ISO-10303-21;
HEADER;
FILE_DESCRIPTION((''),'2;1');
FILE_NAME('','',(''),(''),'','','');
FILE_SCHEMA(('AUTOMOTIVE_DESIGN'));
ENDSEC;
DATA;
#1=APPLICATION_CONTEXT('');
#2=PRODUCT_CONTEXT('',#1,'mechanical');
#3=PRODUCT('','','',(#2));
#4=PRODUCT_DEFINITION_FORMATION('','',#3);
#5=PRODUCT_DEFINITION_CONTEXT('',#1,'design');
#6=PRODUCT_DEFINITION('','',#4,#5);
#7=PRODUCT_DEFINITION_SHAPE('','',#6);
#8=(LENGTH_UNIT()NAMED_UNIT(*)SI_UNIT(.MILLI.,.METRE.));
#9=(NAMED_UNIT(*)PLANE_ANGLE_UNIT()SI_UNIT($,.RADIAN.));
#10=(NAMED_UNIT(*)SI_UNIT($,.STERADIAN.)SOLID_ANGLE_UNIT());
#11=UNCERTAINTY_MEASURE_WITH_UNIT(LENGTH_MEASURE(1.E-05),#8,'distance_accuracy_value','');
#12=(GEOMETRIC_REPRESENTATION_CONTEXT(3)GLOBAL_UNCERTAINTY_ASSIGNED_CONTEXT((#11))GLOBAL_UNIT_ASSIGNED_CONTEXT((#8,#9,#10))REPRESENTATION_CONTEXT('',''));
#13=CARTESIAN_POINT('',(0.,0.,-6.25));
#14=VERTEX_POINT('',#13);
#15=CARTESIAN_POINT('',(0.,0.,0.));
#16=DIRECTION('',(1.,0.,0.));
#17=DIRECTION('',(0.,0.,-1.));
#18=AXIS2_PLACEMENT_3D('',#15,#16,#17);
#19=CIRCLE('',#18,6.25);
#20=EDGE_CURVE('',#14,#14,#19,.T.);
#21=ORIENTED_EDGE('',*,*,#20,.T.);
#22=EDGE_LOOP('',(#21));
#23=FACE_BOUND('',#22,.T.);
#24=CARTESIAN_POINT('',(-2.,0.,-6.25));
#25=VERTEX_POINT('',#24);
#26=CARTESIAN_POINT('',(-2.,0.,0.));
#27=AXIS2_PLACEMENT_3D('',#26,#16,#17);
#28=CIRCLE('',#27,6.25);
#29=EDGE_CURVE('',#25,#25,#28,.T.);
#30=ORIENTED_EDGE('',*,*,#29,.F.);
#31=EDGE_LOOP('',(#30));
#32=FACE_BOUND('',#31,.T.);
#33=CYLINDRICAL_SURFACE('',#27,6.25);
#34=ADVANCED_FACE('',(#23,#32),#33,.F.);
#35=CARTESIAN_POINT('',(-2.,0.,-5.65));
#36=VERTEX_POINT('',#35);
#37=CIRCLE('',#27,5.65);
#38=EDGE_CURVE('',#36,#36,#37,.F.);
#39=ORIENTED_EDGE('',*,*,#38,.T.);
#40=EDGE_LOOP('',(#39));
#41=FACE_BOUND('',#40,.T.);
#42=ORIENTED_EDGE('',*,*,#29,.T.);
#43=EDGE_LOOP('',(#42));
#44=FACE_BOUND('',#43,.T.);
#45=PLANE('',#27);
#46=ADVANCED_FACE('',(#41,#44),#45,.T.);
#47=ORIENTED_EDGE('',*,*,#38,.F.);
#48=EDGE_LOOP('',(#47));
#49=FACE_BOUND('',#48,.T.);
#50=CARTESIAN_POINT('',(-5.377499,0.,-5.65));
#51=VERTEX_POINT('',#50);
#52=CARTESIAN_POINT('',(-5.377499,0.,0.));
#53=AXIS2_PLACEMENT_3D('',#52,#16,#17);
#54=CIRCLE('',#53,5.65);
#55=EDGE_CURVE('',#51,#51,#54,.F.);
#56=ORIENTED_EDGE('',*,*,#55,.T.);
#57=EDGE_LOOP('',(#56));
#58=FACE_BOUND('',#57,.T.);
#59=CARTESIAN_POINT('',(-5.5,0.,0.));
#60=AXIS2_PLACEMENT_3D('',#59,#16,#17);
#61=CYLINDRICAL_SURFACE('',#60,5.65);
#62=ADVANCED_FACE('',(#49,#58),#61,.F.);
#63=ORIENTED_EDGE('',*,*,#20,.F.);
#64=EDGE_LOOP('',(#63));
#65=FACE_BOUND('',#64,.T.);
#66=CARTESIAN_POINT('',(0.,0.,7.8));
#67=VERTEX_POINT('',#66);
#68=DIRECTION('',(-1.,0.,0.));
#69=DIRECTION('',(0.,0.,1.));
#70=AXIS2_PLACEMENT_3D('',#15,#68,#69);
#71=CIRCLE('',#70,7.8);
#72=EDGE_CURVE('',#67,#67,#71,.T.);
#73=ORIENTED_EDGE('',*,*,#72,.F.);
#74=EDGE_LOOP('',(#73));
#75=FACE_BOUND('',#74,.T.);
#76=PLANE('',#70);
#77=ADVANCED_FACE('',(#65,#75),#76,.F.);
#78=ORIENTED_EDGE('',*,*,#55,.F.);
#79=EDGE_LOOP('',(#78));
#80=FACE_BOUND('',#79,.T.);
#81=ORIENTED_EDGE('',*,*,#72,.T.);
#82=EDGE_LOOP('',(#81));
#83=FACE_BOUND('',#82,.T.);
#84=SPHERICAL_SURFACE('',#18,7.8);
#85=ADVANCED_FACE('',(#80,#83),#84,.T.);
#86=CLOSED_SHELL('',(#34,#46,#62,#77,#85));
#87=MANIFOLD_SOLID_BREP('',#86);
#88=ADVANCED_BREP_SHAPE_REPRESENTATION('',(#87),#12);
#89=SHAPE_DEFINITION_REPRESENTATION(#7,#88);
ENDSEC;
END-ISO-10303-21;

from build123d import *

# Parameters (mm, degrees)
REVOLVE_1_ANGLE          = 180
CUT_EXTRUDE_3_DEPTH      = 14.509996299
CUT_EXTRUDE_3_DEPTH_BACK = 14.509996299
SKETCH_5_W               = 6
SKETCH_5_H               = 20
SKETCH_11_R              = 5.65
CUT_EXTRUDE_7_DEPTH      = 13.325988804
SKETCH_12_R              = 6.25
CUT_EXTRUDE_8_DEPTH      = 2


with BuildPart() as part:
    # 草图1 → 旋转1 (revolve)
    with BuildSketch(Plane(origin=(0, 0, 0), x_dir=(0, 0, -1), z_dir=(1, 0, 0))):
        with BuildLine():
            Line((0, 7.8), (0, -7.8))
            ThreePointArc((0, -7.8), (-7.8, 0), (0, 7.8))
        make_face()
    revolve(axis=Axis((0, 7.8, 0), (0, -1, 0)), revolution_arc=REVOLVE_1_ANGLE)

    # 草图5 → 切除-拉伸3 (cut, two sides: drawn at the far end of the back side and taken through both)
    with BuildSketch(Plane.XY.offset(-CUT_EXTRUDE_3_DEPTH_BACK)):
        with Locations((-8.5, 0.096965289)):
            Rectangle(SKETCH_5_W, SKETCH_5_H)
    extrude(amount=CUT_EXTRUDE_3_DEPTH + CUT_EXTRUDE_3_DEPTH_BACK, mode=Mode.SUBTRACT)

    # 草图11 → 切除-拉伸7 (cut, through all)
    with BuildSketch(Plane(origin=(0, 0, 0), x_dir=(0, 0, -1), z_dir=(1, 0, 0))):
        Circle(SKETCH_11_R)
    extrude(amount=-CUT_EXTRUDE_7_DEPTH, mode=Mode.SUBTRACT)

    # 草图12 → 切除-拉伸8 (cut)
    with BuildSketch(Plane(origin=(0, 0, 0), x_dir=(0, 0, -1), z_dir=(1, 0, 0))):
        Circle(SKETCH_12_R)
    extrude(amount=-CUT_EXTRUDE_8_DEPTH, mode=Mode.SUBTRACT)


solid = part.part
